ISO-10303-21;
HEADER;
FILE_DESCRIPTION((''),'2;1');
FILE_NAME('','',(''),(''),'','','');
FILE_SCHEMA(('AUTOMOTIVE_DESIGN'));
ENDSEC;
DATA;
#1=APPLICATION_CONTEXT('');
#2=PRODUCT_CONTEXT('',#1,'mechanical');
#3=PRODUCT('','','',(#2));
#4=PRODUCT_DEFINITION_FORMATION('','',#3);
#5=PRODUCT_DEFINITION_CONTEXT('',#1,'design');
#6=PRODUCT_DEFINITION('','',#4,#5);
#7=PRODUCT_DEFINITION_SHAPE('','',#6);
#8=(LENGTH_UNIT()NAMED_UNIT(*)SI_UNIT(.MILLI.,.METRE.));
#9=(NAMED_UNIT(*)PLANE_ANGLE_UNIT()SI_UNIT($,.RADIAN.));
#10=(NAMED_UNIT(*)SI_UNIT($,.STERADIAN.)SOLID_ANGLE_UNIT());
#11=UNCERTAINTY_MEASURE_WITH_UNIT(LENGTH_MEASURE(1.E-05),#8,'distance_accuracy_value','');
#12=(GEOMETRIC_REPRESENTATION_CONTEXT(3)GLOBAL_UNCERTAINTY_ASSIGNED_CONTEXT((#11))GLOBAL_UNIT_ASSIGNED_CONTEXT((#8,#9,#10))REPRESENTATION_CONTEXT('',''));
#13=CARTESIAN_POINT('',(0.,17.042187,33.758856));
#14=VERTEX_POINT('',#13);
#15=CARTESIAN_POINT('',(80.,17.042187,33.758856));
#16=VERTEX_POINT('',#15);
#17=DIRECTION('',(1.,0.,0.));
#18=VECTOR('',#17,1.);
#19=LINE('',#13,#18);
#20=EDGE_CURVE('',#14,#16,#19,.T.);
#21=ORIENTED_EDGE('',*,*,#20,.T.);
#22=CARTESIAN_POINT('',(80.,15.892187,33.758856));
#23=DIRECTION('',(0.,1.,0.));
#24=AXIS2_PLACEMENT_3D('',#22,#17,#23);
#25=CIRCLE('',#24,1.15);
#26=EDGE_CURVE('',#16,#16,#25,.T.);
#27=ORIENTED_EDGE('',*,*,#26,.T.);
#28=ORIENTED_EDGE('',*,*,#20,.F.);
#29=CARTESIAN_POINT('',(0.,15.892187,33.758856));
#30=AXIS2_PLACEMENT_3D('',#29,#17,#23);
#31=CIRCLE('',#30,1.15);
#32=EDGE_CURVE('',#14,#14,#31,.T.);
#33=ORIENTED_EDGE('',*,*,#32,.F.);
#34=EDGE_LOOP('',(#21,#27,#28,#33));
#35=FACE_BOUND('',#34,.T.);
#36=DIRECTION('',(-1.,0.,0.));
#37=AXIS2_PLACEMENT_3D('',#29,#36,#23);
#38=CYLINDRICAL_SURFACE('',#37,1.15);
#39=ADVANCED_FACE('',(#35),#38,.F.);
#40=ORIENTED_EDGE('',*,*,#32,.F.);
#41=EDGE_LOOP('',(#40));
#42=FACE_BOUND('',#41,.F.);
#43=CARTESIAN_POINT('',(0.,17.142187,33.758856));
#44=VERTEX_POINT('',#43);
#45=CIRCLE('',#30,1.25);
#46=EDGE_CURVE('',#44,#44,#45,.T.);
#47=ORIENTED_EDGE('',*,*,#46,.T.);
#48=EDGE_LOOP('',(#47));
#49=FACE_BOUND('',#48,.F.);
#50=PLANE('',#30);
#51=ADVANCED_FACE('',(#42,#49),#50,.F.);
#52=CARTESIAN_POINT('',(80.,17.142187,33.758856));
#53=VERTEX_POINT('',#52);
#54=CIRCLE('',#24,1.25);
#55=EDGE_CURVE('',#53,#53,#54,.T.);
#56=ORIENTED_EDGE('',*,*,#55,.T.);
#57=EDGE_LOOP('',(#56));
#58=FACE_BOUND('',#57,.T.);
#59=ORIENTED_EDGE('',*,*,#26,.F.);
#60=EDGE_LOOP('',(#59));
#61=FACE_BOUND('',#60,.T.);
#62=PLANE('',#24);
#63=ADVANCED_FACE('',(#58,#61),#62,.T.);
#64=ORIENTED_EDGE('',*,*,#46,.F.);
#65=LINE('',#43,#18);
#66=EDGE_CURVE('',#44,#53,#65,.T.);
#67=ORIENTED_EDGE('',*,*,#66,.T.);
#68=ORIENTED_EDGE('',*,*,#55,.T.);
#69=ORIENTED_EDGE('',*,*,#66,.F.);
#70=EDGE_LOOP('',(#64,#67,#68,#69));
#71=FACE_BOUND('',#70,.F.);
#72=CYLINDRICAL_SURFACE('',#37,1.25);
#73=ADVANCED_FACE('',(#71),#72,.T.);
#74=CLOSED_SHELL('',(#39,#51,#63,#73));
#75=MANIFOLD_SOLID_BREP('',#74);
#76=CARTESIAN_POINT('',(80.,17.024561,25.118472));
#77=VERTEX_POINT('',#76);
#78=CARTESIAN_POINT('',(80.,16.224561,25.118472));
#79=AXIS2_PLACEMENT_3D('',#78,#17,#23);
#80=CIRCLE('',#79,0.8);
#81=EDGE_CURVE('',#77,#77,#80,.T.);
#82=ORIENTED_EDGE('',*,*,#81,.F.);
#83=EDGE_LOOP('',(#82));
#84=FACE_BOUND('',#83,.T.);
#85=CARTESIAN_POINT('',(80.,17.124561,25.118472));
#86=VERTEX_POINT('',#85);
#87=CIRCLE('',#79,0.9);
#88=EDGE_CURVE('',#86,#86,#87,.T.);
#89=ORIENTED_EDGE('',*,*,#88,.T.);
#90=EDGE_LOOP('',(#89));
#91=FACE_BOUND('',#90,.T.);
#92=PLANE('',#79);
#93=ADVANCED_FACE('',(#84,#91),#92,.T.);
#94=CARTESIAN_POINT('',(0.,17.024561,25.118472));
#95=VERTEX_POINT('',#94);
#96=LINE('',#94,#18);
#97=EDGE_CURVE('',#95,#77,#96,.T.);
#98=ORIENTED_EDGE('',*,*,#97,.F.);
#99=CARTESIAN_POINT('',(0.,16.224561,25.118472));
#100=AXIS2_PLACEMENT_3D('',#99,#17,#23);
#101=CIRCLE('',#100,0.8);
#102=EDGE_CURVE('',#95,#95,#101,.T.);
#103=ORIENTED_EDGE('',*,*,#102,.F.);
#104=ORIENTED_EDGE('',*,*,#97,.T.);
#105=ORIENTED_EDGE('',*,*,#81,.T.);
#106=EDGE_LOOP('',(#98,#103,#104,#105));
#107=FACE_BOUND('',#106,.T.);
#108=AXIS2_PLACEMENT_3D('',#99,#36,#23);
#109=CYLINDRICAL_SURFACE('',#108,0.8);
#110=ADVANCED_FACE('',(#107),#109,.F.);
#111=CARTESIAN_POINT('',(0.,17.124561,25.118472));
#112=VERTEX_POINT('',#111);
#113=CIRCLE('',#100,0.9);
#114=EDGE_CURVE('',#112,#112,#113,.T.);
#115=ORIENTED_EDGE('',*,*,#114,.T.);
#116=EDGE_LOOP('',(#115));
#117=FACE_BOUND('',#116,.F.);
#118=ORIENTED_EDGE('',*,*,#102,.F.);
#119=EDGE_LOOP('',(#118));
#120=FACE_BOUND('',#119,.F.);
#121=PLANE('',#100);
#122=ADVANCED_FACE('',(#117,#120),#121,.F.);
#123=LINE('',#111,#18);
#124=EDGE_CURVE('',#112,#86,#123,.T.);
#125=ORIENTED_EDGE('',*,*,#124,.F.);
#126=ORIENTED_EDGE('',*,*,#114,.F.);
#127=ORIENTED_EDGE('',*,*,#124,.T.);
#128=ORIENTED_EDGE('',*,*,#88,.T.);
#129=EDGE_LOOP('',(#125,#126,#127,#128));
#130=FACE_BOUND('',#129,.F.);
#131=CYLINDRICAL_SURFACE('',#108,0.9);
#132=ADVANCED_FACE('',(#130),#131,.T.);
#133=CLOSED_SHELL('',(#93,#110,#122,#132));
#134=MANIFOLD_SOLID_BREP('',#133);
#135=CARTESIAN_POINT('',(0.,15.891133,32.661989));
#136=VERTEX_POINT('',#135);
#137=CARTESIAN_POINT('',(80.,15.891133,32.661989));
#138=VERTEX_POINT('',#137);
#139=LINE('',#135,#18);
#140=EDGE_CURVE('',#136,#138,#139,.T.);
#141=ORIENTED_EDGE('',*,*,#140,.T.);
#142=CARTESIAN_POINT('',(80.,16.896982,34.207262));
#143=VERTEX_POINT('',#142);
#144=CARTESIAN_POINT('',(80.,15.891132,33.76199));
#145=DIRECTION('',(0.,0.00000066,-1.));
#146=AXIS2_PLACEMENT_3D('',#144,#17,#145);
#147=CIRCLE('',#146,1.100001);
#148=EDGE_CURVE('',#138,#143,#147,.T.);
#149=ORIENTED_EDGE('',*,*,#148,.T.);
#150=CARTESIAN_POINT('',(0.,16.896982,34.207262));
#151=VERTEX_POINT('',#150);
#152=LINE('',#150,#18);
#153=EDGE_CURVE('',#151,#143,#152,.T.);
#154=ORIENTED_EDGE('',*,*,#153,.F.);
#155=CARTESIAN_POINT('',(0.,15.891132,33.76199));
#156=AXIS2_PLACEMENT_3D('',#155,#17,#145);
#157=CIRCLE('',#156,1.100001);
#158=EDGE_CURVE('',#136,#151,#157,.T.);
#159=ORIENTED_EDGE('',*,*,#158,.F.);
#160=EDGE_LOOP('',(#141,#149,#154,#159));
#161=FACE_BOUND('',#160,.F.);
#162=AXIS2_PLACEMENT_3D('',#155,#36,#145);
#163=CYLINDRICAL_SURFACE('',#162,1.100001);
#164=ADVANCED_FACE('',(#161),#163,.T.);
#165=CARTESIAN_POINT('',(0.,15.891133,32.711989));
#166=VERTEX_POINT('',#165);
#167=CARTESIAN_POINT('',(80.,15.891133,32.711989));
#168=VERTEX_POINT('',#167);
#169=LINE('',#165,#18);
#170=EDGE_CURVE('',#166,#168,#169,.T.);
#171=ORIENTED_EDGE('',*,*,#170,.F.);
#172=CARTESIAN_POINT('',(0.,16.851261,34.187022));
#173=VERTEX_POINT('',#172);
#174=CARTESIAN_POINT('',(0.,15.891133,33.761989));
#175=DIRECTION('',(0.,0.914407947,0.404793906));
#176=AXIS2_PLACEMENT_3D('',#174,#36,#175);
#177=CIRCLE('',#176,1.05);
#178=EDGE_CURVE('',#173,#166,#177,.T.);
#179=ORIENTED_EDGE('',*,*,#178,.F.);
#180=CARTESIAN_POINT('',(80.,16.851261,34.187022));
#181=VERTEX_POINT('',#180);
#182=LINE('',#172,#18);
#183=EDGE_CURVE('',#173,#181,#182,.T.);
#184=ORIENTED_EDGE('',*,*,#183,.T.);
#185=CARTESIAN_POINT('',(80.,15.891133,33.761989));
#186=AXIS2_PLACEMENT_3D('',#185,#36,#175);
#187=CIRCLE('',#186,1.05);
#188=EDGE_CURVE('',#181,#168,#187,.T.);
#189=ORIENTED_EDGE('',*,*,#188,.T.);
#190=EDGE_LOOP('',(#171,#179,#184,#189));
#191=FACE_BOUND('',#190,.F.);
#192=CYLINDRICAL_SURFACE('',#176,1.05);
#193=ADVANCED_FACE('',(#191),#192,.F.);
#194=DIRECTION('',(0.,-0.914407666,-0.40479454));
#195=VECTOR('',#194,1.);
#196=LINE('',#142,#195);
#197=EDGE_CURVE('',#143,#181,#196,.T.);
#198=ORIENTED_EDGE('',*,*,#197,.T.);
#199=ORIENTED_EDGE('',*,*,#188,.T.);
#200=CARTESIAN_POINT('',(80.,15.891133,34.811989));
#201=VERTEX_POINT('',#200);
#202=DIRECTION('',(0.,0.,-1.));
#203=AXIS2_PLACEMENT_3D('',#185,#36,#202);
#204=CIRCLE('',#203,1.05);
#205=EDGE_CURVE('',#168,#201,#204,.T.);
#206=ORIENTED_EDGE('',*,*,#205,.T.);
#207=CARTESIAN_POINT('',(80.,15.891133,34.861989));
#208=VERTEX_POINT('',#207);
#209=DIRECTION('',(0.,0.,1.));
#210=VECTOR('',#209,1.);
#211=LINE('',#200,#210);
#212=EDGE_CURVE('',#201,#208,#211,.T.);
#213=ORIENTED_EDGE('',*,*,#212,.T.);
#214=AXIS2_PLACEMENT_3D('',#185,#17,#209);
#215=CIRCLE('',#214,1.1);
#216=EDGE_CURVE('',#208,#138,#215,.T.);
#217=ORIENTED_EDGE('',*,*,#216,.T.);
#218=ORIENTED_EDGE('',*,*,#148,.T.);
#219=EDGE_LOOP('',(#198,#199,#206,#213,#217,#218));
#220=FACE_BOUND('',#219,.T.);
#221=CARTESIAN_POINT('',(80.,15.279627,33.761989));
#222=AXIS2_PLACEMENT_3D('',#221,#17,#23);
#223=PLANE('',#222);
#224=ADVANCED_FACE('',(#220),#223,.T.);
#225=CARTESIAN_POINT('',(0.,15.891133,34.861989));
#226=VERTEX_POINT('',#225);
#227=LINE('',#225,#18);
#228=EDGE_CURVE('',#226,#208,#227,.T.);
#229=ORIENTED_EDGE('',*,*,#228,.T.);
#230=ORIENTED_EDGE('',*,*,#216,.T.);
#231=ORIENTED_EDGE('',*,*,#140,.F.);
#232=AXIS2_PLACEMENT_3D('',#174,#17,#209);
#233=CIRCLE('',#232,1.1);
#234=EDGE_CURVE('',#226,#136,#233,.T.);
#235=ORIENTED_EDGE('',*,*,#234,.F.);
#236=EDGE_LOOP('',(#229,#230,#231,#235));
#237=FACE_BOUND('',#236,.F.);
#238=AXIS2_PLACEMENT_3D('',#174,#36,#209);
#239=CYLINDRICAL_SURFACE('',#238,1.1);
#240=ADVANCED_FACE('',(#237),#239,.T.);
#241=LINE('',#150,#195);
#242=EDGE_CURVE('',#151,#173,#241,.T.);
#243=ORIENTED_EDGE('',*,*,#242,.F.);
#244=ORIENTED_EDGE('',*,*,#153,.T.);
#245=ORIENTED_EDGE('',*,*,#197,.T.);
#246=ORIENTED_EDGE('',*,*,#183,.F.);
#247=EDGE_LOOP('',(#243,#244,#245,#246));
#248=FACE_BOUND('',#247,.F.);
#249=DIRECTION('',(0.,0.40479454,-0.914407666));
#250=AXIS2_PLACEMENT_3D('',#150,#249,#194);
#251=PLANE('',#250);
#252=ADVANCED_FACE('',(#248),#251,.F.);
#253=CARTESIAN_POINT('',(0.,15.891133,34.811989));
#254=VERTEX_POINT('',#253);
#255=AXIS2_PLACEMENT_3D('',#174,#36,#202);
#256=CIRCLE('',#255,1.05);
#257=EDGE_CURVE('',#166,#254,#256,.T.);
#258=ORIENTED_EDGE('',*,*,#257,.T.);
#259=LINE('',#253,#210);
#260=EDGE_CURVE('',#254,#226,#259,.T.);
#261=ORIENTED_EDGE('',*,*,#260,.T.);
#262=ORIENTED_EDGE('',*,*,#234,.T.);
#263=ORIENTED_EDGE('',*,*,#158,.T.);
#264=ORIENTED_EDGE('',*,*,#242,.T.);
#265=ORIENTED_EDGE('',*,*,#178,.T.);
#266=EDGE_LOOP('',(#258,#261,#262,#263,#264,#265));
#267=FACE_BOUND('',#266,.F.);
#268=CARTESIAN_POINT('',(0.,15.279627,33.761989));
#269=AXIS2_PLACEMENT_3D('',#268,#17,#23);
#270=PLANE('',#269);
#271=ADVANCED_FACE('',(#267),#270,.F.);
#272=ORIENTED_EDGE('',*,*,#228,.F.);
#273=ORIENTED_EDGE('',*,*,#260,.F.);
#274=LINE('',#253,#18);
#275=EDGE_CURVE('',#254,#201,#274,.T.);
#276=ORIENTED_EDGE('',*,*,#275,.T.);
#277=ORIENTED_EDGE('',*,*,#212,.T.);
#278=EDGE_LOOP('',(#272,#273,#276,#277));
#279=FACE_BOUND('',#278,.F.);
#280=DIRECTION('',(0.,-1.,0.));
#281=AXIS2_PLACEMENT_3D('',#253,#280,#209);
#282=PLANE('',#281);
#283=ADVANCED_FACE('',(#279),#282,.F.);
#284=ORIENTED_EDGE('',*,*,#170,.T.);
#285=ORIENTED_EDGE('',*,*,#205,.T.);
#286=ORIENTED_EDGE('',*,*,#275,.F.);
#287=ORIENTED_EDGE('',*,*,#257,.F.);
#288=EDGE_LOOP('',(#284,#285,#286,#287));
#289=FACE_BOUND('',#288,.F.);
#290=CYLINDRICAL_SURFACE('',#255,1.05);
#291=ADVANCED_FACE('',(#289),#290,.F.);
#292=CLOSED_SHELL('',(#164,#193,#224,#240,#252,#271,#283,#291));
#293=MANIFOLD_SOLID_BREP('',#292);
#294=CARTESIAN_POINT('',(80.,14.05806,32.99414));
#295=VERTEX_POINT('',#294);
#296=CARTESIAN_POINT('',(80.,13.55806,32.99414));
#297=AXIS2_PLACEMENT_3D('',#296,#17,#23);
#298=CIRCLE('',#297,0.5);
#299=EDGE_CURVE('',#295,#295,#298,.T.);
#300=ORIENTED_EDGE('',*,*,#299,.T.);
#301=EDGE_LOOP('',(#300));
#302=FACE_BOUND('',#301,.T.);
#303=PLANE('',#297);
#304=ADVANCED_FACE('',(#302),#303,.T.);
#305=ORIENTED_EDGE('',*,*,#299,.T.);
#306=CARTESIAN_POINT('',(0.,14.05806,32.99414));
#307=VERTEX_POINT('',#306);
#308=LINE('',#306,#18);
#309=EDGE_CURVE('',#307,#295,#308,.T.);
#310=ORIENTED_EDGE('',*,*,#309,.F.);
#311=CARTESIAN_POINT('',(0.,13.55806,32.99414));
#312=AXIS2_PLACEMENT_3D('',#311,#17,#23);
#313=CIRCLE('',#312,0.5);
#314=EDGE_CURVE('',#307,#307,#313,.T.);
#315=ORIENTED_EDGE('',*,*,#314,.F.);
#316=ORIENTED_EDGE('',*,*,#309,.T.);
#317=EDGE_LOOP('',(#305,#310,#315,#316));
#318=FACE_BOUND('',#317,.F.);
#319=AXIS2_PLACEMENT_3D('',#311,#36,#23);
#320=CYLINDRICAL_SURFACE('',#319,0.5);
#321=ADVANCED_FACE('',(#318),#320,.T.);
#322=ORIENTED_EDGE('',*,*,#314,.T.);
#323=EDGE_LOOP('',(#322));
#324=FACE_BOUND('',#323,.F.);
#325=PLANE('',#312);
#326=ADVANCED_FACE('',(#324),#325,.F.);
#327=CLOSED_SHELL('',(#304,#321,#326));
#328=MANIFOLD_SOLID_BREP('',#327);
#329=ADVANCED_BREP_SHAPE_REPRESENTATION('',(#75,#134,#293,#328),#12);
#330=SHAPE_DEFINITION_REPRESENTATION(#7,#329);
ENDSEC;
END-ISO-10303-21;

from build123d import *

# Parameters (mm, degrees)
F0_R     = 1.25
F0_R_2   = 1.15
F1_DEPTH = 80
F2_R     = 0.9
F2_R_2   = 0.8
F3_DEPTH = 80
F5_DEPTH = 80
F6_R     = 0.5
F7_DEPTH = 80


with BuildPart() as f1:
    # F0 (on Right) → F1 (new body)
    with BuildSketch(Plane.YZ):
        with Locations((15.892187, 33.758856)):
            Circle(F0_R)
        with Locations((15.892187, 33.758856)):
            Circle(F0_R_2, mode=Mode.SUBTRACT)
    extrude(amount=F1_DEPTH)


with BuildPart() as f3:
    # F2 (on Right) → F3 (new body)
    with BuildSketch(Plane.YZ):
        with Locations((16.224561, 25.118472)):
            Circle(F2_R)
        with Locations((16.224561, 25.118472)):
            Circle(F2_R_2, mode=Mode.SUBTRACT)
    extrude(amount=F3_DEPTH)


with BuildPart() as f5:
    # F4 (on Right) → F5 (new body)
    with BuildSketch(Plane.YZ):
        with BuildLine():
            Line((15.891133, 34.811989), (15.891133, 34.861989))
            ThreePointArc((15.891133, 34.861989), (14.791133, 33.761989), (15.891133, 32.661989))
            Line((15.891133, 32.661989), (15.891133, 32.711989))
            ThreePointArc((15.891133, 32.711989), (14.841133, 33.761989), (15.891133, 34.811989))
        make_face()
        with BuildLine():
            Line((15.891133, 32.711989), (15.891133, 32.661989))
            ThreePointArc((15.891133, 32.661989), (16.813033, 33.161906), (16.896982, 34.207262))
            Line((16.896982, 34.207262), (16.851261, 34.187022))
            ThreePointArc((16.851261, 34.187022), (16.771129, 33.189183), (15.891133, 32.711989))
        make_face()
    extrude(amount=F5_DEPTH)


with BuildPart() as f7:
    # F6 (on Right) → F7 (new body)
    with BuildSketch(Plane.YZ):
        with Locations((13.55806, 32.99414)):
            Circle(F6_R)
    extrude(amount=F7_DEPTH)


solid = Compound([f1.part, f3.part, f5.part, f7.part])
